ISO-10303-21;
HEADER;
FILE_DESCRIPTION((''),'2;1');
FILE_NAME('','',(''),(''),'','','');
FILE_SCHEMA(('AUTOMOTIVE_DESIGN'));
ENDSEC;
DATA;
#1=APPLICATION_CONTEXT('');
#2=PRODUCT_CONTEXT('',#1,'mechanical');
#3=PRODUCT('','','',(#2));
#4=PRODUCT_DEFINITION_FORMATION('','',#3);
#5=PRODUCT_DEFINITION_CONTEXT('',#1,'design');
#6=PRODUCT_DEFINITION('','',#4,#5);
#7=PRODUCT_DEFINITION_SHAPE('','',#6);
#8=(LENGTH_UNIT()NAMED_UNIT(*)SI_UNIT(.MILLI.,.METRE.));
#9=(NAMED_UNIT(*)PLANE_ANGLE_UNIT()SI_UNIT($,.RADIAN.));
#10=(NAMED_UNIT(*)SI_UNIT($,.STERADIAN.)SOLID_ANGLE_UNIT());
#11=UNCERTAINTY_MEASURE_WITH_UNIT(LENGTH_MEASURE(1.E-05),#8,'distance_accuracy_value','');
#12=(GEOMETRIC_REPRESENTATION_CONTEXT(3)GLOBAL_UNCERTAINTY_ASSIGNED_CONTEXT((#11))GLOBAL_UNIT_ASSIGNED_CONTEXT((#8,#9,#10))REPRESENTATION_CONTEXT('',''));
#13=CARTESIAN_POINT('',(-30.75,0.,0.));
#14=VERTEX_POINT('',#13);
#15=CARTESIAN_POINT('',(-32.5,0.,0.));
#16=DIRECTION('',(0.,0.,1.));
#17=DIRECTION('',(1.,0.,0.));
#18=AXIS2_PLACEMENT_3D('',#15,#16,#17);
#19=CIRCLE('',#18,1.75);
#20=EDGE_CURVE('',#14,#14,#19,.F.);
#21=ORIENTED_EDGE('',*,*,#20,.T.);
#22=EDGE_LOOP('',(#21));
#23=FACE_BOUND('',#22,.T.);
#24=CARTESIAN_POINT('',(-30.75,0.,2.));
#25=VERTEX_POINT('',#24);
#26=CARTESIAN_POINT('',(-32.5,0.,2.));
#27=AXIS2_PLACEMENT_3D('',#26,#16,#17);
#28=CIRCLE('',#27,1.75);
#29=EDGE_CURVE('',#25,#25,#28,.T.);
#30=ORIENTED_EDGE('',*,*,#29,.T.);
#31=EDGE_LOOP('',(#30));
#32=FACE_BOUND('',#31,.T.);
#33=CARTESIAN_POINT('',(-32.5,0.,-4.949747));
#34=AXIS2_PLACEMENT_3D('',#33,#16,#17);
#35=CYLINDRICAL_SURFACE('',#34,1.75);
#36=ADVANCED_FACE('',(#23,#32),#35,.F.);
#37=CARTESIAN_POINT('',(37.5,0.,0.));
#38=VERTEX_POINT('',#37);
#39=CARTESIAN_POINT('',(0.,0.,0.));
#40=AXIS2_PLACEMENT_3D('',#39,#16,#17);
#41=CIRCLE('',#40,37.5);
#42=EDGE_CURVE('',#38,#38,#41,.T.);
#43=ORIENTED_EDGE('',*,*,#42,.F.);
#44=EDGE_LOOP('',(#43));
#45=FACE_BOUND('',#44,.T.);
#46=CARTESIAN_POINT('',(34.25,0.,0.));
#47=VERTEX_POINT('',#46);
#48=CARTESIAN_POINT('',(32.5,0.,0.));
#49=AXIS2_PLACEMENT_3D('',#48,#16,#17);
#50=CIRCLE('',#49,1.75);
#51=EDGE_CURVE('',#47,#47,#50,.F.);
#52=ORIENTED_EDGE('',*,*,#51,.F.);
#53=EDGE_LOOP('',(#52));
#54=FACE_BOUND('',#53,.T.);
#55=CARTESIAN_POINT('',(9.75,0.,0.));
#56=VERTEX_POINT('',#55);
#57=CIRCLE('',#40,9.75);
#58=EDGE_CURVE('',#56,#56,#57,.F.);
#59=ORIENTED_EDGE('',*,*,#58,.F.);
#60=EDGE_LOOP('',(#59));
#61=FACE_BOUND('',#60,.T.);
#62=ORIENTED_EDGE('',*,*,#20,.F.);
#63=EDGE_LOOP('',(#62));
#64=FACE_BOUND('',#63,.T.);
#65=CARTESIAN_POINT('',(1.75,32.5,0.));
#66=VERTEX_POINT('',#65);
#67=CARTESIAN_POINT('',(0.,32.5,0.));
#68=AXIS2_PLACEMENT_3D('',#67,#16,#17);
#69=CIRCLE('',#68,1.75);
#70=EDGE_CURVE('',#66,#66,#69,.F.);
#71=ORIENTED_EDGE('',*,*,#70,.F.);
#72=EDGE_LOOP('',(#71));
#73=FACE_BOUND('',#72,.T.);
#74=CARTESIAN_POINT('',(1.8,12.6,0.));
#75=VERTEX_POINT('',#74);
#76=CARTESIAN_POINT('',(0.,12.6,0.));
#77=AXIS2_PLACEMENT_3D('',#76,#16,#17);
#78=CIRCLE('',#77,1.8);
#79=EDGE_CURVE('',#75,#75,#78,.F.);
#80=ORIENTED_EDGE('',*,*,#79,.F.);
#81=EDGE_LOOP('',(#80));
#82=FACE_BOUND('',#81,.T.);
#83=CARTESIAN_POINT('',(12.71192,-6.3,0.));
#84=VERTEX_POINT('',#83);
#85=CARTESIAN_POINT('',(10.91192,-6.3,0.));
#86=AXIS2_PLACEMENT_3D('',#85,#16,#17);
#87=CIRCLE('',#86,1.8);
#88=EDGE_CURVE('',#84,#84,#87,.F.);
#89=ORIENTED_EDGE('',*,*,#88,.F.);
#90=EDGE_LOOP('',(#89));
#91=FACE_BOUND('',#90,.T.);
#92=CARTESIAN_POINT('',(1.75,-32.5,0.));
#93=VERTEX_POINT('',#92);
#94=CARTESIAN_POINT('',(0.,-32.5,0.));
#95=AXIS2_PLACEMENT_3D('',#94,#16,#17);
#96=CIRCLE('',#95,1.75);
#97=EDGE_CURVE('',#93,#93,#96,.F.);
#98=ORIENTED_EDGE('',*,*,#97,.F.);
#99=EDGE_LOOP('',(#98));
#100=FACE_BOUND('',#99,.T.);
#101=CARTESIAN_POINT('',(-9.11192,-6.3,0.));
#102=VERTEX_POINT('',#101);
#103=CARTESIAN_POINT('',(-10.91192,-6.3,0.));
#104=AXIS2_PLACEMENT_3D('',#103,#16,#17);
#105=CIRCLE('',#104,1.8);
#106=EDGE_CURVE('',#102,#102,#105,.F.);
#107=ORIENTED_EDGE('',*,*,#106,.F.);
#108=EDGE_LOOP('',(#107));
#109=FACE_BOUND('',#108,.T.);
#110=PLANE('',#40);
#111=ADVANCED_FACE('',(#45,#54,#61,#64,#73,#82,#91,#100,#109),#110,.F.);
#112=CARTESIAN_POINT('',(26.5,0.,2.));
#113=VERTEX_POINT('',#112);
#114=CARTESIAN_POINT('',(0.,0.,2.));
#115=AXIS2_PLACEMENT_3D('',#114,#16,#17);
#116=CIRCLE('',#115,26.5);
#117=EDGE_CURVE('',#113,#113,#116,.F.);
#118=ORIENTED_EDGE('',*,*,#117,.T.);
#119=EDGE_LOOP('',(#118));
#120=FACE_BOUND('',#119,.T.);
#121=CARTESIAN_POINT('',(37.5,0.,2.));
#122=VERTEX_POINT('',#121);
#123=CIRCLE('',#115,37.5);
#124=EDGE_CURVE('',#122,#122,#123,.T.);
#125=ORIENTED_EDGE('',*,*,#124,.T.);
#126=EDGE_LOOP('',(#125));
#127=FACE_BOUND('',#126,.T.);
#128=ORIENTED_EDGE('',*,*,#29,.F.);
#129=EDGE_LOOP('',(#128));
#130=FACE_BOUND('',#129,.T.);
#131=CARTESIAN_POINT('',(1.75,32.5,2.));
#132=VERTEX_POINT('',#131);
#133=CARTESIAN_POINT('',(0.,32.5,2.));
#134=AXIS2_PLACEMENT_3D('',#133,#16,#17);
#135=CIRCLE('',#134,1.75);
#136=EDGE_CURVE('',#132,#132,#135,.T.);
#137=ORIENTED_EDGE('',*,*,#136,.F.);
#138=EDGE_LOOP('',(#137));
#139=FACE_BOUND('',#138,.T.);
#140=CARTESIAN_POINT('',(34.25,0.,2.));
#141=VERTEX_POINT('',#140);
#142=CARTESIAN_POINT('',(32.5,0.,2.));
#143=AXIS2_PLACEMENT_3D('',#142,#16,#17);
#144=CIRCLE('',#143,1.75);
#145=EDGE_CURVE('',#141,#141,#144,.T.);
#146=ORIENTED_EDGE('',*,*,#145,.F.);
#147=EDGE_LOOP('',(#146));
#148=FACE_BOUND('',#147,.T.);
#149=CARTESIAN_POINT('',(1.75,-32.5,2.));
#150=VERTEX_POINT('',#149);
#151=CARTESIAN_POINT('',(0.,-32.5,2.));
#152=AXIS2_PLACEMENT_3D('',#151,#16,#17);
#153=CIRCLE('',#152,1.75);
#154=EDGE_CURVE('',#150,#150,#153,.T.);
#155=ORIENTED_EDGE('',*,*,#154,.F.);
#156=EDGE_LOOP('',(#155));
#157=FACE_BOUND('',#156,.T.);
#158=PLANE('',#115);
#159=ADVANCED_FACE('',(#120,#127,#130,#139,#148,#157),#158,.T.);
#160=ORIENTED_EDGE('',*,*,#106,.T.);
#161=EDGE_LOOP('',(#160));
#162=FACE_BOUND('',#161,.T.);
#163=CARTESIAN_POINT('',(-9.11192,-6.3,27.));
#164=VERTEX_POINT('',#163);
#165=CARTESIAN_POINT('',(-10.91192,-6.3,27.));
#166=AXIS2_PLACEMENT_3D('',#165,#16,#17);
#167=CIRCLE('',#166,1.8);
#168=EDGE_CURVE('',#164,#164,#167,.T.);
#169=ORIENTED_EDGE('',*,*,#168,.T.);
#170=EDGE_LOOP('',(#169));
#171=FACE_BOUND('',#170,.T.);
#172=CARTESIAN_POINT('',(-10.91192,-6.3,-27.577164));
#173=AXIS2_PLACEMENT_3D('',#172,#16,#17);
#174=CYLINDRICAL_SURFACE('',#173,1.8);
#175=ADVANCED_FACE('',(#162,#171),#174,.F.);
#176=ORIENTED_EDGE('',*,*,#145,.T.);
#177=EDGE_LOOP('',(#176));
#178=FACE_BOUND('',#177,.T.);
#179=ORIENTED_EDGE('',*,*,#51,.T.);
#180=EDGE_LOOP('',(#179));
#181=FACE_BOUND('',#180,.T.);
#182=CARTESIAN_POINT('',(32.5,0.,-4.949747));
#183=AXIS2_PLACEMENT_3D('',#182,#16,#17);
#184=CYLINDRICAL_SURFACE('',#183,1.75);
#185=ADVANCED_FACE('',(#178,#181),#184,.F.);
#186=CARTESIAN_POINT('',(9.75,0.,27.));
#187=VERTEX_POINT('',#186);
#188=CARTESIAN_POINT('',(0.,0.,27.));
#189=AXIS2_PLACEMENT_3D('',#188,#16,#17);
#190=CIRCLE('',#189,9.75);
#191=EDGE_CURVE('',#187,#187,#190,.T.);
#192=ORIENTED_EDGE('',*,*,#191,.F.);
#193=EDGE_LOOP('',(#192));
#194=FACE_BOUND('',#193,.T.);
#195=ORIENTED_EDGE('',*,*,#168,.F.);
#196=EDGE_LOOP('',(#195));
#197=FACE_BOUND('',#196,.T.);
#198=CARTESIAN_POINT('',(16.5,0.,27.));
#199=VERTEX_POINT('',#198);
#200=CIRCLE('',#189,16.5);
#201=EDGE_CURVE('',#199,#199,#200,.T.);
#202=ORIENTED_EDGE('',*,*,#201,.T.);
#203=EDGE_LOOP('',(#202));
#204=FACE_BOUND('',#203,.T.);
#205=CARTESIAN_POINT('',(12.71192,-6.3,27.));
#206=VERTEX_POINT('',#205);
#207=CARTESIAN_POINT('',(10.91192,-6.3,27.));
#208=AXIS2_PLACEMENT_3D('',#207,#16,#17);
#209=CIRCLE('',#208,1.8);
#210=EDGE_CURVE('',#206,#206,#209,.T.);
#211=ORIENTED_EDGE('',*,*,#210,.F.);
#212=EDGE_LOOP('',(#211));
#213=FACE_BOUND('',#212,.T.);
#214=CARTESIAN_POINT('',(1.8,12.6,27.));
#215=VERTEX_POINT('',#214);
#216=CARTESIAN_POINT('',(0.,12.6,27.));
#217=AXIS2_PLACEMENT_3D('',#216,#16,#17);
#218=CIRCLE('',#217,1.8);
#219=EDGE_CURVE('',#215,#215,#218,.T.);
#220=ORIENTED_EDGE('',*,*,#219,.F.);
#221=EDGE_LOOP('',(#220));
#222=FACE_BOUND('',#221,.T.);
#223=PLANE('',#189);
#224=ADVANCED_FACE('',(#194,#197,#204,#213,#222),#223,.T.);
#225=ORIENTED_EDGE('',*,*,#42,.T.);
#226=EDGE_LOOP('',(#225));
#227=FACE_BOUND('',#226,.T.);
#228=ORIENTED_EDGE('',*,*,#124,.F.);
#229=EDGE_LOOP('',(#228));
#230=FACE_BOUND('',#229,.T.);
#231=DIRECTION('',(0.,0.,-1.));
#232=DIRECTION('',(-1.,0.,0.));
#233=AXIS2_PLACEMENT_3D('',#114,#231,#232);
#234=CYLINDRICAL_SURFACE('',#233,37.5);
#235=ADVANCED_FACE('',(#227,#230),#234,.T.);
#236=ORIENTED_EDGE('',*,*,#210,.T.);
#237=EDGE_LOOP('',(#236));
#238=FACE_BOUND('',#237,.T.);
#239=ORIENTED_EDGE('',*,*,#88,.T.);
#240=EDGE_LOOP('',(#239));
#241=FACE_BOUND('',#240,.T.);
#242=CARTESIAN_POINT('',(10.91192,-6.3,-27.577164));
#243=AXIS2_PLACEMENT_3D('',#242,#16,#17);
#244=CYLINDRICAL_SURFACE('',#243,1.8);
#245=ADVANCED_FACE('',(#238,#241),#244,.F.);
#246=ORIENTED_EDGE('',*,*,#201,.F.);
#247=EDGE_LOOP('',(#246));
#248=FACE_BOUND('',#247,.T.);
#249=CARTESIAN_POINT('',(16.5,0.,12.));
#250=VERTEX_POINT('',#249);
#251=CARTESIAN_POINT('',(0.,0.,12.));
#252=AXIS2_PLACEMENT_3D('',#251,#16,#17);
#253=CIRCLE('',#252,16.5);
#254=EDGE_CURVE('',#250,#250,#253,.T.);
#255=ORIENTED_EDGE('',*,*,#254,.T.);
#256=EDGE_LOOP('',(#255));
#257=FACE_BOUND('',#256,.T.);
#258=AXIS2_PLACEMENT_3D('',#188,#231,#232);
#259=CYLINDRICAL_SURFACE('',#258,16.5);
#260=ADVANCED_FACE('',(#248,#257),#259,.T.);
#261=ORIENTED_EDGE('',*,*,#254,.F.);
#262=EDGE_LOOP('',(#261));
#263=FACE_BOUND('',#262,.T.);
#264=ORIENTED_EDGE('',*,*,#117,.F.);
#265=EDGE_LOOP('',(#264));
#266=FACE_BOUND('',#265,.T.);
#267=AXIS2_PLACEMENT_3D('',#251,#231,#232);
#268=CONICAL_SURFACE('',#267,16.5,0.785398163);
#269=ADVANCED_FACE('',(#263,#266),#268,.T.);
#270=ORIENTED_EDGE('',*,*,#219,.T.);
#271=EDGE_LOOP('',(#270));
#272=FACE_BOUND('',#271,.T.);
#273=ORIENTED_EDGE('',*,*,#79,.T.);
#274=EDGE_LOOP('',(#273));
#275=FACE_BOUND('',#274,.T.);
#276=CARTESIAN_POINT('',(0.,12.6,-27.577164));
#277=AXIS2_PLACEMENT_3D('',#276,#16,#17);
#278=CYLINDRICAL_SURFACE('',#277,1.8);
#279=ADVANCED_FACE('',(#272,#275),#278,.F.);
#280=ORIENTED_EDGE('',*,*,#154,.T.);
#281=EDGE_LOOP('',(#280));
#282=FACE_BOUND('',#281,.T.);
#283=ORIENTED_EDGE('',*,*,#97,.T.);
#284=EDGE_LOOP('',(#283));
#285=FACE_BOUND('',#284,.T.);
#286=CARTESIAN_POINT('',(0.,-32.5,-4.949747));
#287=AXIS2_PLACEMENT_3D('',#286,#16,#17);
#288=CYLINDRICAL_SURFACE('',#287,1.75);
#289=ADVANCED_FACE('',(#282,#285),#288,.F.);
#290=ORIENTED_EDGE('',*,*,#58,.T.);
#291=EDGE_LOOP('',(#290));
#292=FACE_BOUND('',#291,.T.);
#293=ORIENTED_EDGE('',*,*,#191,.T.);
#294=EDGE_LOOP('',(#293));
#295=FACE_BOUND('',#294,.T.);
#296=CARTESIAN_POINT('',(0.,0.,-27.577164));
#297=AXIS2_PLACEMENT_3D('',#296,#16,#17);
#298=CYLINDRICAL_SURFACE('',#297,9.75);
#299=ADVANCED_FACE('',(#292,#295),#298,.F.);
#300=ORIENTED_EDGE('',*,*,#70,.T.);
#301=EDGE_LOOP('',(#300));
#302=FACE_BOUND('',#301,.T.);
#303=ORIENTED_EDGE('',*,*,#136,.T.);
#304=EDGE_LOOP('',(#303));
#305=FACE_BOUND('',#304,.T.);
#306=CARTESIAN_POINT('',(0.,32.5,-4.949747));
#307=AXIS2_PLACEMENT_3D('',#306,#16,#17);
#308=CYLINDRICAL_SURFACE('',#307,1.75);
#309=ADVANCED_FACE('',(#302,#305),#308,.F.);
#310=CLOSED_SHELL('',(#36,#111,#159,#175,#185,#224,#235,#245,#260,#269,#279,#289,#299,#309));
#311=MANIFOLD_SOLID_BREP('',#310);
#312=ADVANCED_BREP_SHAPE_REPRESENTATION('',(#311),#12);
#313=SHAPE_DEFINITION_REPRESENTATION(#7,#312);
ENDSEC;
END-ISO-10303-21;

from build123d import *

# Parameters (mm, degrees)
SKETCH_1_R          = 37.5
EXTRUDE_1_DEPTH     = 2
SKETCH_2_R          = 1.75
CUT_EXTRUDE_1_DEPTH = 2
SKETCH_3_R          = 16.5
EXTRUDE_2_DEPTH     = 25
SKETCH_4_R          = 9.75
SKETCH_4_R_2        = 1.8
CUT_EXTRUDE_2_DEPTH = 27
CHAMFER_1_SIZE      = 10


with BuildPart() as part:
    # Эскиз1 → Бобышка-Вытянуть1 (new body)
    with BuildSketch(Plane.XY):
        Circle(SKETCH_1_R)
    extrude(amount=EXTRUDE_1_DEPTH)

    # Эскиз2 → Вырез-Вытянуть1 (cut)
    with BuildSketch(Plane.XY.offset(2)):
        with Locations((0, 32.5)):
            Circle(SKETCH_2_R)
        with Locations((32.5, 0)):
            Circle(SKETCH_2_R)
        with Locations((0, -32.5)):
            Circle(SKETCH_2_R)
        with Locations((-32.5, 0)):
            Circle(SKETCH_2_R)
    extrude(amount=-CUT_EXTRUDE_1_DEPTH, mode=Mode.SUBTRACT)

    # Эскиз3 → Бобышка-Вытянуть2 (add)
    with BuildSketch(Plane.XY.offset(2)):
        Circle(SKETCH_3_R)
    extrude(amount=EXTRUDE_2_DEPTH)

    # Эскиз4 → Вырез-Вытянуть2 (cut)
    with BuildSketch(Plane.XY.offset(27)):
        Circle(SKETCH_4_R)
        with Locations((0, 12.6)):
            Circle(SKETCH_4_R_2)
        with Locations((10.911920088, -6.3)):
            Circle(SKETCH_4_R_2)
        with Locations((-10.911920088, -6.3)):
            Circle(SKETCH_4_R_2)
    extrude(amount=-CUT_EXTRUDE_2_DEPTH, mode=Mode.SUBTRACT)

    # Фаска1
    chamfer_1_edges = [part.edges().sort_by_distance(p)[0] for p in [
        (-16.5, 0, 2),
    ]]
    chamfer(chamfer_1_edges, length=CHAMFER_1_SIZE)


solid = part.part
